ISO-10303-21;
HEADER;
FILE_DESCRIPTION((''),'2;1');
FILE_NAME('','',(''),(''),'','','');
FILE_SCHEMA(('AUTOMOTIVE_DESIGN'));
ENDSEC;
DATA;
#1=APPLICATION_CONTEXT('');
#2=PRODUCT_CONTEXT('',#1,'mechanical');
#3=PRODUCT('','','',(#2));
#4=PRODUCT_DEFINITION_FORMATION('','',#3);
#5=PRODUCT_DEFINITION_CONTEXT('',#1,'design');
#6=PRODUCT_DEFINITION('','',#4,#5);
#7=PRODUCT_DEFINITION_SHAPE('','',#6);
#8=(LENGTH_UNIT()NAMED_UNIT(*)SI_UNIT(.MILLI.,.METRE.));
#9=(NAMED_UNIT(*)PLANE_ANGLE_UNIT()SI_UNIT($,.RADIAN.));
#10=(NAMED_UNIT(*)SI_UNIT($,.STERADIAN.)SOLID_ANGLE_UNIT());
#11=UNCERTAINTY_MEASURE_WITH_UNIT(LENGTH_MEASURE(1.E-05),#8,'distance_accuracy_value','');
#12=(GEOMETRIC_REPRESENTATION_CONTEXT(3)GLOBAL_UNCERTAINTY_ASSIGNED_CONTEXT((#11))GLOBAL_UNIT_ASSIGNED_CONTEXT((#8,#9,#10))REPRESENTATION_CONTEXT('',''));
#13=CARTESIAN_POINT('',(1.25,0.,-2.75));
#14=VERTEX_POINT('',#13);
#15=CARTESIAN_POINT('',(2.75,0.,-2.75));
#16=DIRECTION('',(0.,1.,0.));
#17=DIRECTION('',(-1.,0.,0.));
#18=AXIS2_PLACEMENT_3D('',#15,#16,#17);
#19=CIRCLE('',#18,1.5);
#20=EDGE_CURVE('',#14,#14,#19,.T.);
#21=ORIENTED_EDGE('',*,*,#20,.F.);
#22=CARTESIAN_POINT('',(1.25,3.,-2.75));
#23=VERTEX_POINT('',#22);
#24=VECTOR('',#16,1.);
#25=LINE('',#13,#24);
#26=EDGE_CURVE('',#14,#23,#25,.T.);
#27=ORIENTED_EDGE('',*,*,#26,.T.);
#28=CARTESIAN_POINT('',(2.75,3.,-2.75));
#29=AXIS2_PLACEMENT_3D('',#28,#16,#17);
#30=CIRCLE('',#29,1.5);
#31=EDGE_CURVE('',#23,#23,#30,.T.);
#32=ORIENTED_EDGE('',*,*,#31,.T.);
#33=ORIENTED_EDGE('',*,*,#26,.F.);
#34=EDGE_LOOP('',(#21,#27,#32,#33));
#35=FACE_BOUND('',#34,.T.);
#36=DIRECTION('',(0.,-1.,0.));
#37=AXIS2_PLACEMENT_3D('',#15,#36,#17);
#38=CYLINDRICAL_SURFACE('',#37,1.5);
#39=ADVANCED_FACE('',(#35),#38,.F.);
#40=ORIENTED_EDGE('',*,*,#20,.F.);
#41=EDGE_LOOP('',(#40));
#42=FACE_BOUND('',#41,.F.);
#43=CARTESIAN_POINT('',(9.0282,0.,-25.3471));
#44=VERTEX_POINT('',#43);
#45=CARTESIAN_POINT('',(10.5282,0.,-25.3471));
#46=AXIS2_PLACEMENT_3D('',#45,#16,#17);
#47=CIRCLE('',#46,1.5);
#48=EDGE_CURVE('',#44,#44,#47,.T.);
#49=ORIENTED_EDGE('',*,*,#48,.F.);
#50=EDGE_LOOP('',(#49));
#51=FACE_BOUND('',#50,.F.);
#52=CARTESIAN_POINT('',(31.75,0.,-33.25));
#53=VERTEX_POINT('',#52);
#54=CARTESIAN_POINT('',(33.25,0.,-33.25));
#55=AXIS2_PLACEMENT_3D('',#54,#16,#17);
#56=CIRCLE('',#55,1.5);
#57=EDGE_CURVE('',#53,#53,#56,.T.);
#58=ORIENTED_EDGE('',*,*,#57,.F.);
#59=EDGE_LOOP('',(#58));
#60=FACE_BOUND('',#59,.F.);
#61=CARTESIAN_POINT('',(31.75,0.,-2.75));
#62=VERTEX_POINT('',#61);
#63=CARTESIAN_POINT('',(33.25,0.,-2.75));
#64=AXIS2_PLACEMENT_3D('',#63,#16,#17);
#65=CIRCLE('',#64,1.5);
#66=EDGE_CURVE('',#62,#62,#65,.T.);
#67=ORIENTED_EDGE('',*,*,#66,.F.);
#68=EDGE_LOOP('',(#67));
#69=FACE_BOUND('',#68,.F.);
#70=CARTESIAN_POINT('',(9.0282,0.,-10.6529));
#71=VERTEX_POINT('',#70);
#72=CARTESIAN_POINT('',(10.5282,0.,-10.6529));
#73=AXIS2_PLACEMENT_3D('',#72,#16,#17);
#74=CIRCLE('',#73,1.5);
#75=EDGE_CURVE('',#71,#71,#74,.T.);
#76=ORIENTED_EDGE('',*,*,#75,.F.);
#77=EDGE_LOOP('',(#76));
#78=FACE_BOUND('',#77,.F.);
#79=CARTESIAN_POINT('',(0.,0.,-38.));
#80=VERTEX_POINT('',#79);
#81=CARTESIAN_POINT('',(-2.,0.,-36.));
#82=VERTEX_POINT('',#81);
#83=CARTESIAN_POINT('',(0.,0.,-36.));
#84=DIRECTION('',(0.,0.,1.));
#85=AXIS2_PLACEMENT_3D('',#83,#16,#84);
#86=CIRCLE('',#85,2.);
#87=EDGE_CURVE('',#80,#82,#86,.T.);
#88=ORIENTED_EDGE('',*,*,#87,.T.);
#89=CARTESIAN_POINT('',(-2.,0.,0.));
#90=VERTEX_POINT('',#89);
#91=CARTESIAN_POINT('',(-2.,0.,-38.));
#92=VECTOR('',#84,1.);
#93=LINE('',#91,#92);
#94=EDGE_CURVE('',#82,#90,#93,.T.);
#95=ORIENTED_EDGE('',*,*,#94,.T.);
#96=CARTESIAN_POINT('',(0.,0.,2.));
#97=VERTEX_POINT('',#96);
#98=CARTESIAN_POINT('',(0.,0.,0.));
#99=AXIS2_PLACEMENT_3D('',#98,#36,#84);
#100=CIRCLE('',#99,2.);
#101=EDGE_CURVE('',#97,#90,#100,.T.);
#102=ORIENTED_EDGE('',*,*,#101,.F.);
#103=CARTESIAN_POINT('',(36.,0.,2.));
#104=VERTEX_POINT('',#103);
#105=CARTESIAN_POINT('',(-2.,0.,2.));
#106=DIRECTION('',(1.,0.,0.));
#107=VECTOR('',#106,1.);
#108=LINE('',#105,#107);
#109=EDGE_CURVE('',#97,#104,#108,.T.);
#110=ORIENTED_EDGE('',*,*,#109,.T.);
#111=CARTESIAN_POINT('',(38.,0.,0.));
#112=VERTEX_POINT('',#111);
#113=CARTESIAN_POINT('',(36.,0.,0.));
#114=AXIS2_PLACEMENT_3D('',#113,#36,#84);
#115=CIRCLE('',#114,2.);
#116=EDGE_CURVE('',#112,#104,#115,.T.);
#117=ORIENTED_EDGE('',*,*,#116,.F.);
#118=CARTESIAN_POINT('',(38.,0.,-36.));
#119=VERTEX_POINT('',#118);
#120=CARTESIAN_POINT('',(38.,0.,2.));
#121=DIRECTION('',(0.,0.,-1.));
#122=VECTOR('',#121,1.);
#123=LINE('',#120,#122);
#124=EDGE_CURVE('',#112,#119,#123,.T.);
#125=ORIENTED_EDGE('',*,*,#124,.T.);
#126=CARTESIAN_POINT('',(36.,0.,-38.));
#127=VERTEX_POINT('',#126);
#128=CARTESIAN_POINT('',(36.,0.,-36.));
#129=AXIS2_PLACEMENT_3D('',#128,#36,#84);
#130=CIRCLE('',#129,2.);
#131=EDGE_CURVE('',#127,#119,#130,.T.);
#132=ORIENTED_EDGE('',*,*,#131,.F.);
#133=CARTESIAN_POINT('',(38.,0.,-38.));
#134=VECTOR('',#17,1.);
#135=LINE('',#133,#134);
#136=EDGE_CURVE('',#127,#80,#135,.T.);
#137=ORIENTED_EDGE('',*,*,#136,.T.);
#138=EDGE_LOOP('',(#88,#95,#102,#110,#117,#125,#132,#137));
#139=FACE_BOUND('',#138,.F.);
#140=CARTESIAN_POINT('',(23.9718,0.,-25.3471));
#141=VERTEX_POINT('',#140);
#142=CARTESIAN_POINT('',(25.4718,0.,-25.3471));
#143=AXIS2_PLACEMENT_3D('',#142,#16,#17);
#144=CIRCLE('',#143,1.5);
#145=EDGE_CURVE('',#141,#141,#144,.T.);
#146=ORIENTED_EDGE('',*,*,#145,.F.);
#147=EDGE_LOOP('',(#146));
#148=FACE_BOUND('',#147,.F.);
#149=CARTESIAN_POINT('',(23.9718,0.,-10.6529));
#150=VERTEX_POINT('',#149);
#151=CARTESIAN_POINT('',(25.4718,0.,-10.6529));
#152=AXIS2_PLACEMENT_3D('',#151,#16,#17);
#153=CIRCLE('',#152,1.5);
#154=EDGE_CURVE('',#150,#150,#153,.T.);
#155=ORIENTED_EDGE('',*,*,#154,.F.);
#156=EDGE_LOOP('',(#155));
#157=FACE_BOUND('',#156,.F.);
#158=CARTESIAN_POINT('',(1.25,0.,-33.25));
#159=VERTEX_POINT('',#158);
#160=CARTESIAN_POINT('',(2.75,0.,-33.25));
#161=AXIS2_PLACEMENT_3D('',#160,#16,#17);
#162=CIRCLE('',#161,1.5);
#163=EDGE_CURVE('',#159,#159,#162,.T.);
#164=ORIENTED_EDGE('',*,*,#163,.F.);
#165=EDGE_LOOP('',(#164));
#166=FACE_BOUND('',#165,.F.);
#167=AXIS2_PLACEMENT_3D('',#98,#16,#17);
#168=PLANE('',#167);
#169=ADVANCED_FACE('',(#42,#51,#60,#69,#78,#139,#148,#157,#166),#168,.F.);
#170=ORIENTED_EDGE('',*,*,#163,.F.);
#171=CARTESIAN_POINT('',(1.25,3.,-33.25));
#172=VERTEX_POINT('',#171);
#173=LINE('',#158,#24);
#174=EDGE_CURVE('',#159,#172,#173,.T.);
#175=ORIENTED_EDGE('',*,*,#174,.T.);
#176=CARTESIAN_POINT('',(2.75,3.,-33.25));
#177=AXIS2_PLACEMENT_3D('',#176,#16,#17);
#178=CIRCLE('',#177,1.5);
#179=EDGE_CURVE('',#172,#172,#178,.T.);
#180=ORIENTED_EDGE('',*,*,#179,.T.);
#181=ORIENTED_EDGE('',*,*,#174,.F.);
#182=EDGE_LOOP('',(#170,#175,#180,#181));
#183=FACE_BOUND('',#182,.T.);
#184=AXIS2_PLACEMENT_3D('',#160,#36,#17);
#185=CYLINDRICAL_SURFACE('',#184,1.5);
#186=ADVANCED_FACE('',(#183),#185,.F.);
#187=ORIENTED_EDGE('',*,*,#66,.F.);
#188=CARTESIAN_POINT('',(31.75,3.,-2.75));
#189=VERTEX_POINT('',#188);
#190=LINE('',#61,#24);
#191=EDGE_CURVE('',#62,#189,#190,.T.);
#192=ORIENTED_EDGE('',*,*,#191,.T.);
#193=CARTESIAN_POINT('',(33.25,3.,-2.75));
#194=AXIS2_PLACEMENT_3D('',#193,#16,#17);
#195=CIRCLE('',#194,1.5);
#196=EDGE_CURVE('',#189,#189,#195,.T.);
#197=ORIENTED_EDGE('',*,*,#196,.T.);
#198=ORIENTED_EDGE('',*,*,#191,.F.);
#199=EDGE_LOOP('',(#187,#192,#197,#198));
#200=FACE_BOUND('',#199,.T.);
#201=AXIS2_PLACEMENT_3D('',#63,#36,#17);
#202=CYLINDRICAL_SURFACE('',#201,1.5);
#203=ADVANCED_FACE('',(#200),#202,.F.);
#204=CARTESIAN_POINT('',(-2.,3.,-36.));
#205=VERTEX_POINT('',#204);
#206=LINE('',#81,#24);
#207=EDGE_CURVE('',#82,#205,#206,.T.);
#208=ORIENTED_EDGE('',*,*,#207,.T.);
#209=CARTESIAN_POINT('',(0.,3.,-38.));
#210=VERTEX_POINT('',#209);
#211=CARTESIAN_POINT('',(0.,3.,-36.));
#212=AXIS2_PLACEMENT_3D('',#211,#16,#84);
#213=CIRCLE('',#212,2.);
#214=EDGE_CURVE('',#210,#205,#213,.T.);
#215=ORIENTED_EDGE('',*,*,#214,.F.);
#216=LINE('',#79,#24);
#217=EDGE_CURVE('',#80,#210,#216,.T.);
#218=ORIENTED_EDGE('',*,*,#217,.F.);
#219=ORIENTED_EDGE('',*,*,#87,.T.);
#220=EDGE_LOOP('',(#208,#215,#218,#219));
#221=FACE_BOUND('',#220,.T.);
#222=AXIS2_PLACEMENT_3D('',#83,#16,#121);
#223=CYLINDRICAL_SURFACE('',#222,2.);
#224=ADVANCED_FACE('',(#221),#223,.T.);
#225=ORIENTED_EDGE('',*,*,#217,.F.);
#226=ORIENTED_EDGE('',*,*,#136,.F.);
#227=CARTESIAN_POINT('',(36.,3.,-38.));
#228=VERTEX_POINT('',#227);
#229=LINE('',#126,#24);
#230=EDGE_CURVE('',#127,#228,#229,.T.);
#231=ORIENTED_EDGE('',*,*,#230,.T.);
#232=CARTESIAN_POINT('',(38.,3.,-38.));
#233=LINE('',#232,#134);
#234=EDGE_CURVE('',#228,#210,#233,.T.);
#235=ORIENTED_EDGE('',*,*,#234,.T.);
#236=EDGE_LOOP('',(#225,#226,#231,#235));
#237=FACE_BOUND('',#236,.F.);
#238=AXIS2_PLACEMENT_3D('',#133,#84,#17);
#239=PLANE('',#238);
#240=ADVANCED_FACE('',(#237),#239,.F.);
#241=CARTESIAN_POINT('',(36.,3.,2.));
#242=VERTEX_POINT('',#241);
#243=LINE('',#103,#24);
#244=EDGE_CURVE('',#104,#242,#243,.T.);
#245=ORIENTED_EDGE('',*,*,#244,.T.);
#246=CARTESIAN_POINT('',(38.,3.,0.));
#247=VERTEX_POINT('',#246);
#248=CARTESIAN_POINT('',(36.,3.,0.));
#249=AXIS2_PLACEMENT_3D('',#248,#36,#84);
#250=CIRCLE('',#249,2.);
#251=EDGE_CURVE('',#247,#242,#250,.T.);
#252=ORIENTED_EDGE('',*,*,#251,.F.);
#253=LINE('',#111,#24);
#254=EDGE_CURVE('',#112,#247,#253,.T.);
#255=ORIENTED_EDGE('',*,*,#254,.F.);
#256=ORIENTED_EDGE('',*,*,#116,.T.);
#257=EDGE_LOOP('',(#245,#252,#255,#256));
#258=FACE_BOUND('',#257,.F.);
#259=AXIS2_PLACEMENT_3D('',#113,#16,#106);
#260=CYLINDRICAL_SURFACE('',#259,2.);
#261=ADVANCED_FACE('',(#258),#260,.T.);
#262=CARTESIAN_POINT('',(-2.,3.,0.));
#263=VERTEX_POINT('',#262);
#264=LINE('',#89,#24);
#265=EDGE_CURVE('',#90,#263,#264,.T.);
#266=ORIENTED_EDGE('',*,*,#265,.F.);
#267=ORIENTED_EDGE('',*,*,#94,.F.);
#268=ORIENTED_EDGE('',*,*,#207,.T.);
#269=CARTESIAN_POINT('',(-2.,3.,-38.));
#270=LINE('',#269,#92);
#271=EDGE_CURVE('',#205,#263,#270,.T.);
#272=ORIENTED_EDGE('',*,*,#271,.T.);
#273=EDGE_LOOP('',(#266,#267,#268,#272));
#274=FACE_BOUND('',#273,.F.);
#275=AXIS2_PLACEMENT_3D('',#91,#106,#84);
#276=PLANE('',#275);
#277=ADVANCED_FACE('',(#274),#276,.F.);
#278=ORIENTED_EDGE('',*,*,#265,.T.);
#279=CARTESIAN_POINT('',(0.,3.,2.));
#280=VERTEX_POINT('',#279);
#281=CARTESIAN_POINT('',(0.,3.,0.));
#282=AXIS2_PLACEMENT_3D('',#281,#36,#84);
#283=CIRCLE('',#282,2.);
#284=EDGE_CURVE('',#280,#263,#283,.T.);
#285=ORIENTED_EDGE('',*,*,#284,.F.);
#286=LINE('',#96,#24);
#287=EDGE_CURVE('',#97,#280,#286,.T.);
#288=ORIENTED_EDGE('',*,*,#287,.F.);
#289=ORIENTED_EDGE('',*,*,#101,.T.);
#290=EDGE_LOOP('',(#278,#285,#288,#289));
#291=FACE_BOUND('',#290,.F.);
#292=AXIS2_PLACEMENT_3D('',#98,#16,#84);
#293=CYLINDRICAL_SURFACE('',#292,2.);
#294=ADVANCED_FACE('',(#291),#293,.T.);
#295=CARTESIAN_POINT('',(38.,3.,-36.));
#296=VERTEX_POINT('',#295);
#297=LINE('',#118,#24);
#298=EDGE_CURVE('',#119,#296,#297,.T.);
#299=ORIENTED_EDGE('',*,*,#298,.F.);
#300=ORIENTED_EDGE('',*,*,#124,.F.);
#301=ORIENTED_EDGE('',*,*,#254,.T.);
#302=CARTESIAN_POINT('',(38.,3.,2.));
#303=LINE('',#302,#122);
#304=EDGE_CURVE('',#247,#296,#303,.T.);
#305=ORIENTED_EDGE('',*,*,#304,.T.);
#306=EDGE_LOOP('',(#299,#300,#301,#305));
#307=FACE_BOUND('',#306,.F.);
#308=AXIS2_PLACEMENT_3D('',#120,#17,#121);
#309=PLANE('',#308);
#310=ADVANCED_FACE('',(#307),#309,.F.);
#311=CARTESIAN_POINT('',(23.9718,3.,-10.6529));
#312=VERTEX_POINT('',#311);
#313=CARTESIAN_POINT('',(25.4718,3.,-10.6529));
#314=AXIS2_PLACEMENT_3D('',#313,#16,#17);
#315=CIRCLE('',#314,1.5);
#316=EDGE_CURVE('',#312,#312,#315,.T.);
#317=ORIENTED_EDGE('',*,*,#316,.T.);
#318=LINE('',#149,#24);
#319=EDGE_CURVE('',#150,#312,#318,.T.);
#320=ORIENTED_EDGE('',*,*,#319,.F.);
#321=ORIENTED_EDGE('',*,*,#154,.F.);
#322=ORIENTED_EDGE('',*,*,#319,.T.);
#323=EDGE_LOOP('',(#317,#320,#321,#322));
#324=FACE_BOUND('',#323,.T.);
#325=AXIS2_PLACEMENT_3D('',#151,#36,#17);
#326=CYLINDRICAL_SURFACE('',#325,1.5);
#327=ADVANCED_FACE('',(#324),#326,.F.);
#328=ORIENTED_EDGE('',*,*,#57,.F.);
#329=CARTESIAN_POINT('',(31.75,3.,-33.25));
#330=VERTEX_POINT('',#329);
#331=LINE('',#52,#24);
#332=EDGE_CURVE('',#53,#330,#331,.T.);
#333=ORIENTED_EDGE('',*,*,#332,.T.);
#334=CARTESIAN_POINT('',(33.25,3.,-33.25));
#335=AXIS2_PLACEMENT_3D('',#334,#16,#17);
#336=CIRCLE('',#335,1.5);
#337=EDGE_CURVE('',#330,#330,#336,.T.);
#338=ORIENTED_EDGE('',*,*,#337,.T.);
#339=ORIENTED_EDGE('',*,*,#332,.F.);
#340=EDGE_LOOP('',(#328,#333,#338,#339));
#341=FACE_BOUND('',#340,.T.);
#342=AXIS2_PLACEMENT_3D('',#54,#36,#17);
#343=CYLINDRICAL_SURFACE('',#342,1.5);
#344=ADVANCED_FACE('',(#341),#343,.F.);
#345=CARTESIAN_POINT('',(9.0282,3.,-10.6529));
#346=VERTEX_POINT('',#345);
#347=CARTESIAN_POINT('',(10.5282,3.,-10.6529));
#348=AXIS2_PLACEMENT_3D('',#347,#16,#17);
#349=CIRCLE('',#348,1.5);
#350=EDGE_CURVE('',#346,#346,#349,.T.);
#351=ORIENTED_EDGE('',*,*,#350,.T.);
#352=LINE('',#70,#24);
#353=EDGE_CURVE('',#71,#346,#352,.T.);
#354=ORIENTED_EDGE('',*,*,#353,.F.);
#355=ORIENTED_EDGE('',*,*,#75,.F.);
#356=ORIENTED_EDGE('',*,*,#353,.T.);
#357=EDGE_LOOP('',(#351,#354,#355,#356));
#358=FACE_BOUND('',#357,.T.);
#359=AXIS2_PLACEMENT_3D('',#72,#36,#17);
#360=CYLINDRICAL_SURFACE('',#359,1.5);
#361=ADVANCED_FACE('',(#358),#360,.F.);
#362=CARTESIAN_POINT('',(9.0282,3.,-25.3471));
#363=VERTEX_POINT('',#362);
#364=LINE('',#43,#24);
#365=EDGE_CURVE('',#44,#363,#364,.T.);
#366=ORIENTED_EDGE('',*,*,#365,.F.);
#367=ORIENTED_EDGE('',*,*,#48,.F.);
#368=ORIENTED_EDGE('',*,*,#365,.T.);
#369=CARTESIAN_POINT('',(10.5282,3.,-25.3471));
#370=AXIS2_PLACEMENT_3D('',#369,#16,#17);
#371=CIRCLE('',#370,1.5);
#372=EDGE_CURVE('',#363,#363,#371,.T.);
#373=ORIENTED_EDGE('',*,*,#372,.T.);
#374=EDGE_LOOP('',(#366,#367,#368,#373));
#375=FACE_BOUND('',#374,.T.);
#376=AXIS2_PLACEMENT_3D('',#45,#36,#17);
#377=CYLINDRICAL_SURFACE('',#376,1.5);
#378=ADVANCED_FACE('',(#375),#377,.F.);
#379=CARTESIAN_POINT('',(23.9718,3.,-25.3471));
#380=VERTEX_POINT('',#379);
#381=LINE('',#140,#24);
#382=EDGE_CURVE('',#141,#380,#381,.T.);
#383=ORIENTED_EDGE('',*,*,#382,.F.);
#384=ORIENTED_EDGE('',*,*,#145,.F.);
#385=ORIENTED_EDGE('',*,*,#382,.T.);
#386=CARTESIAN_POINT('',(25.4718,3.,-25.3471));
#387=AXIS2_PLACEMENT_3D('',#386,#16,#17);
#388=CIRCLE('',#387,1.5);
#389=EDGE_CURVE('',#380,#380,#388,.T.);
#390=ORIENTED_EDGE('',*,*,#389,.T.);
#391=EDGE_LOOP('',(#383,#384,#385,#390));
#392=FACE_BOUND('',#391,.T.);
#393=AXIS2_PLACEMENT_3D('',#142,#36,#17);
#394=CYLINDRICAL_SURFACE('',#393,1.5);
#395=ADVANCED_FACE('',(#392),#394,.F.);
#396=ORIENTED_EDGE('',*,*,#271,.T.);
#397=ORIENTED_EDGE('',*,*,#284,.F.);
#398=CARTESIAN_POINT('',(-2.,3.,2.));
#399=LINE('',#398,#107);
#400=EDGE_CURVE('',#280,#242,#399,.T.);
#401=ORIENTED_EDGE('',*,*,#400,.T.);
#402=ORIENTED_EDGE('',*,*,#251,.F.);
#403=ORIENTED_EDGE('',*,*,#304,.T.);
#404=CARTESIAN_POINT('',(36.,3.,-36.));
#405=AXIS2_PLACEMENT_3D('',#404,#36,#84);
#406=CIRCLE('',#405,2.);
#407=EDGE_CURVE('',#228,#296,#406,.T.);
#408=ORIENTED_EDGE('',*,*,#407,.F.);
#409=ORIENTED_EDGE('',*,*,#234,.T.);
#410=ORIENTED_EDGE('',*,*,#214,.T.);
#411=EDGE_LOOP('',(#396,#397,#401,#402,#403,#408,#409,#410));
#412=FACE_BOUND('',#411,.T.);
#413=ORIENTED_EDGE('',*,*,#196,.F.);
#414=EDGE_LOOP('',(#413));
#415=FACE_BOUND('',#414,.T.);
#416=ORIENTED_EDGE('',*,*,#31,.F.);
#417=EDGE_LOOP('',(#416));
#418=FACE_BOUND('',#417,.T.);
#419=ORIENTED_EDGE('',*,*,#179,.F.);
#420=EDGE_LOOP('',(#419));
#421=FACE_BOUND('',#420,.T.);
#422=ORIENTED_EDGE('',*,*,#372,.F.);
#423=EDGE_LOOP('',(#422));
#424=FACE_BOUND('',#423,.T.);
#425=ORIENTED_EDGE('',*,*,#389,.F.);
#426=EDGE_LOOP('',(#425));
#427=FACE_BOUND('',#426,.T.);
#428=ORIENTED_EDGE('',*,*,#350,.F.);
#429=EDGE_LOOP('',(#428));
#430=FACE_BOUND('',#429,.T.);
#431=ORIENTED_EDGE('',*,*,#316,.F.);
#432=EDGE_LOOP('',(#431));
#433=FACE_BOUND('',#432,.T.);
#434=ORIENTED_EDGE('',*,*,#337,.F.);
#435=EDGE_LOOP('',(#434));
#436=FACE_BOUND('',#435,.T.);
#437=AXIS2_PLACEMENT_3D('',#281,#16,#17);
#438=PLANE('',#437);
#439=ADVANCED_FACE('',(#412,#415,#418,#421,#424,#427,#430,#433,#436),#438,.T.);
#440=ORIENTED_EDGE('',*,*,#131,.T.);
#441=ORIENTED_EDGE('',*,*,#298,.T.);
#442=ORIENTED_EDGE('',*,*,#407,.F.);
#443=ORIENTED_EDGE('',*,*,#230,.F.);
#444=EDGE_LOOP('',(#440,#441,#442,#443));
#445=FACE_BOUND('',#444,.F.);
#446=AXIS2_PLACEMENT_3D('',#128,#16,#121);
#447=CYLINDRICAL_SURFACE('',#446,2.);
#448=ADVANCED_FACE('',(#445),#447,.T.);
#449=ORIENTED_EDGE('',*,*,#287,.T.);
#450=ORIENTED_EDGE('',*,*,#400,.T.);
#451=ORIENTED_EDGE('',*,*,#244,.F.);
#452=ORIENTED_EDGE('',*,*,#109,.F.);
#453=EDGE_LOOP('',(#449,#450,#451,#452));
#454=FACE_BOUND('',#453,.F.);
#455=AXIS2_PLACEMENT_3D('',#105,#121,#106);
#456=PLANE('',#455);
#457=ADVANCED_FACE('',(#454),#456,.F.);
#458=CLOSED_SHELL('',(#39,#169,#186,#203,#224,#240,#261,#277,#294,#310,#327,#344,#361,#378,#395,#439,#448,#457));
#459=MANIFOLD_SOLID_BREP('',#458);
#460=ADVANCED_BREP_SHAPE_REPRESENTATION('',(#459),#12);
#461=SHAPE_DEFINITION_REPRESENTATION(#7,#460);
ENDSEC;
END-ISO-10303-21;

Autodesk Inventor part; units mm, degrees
ref_plane "YZ Plane" through (0, 0, 0) normal (1, 0, 0) x (0, 1, 0)
ref_plane "XZ Plane" through (0, 0, 0) normal (0, 1, 0) x (-1, 0, 0)
ref_plane "XY Plane" through (0, 0, 0) normal (0, 0, 1) x (1, 0, 0)
sketch "Sketch1" plane through (0, 0, 0) normal (0, 1, 0) x (-1, 0, 0)
  line L0 (0, 0) -> (-36, 0)
  line L1 (-36, 0) -> (-36, -36)
  line L2 (-36, -36) -> (0, -36)
  line L3 (0, -36) -> (0, 0)
  circle A0 centre (-10.5282, -25.3471) radius 1.5
  circle A1 centre (-25.4718, -25.3471) radius 1.5
  circle A2 centre (-10.5282, -10.6529) radius 1.5
  circle A3 centre (-25.4718, -10.6529) radius 1.5
  line L4 (2, -38) -> (2, 2)
  line L5 (2, 2) -> (-38, 2)
  line L6 (-38, 2) -> (-38, -38)
  line L7 (-38, -38) -> (2, -38)
  circle A4 centre (-2.75, -2.75) radius 1.5
  circle A5 centre (-33.25, -2.75) radius 1.5
  circle A6 centre (-33.25, -33.25) radius 1.5
  circle A7 centre (-2.75, -33.25) radius 1.5
  dimension "d0" = 36
  dimension "d1" = 36
  dimension "d50" = 40
  dimension "d51" = 40
  dimension "d55" = 3
  dimension "d56" = 3
  dimension "d57" = 3
  dimension "d58" = 3
extrude "Extrusion3" add sketch "Sketch1" along normal blind 3 contours L3 L2 L1 L0 | L7 L6 L5 L4
fillet "Fillet2" radius 2 4 edges at (38, 1.5, 2) (-2, 1.5, 2) (-2, 1.5, -38) (38, 1.5, -38)
properties part number "Topp"
